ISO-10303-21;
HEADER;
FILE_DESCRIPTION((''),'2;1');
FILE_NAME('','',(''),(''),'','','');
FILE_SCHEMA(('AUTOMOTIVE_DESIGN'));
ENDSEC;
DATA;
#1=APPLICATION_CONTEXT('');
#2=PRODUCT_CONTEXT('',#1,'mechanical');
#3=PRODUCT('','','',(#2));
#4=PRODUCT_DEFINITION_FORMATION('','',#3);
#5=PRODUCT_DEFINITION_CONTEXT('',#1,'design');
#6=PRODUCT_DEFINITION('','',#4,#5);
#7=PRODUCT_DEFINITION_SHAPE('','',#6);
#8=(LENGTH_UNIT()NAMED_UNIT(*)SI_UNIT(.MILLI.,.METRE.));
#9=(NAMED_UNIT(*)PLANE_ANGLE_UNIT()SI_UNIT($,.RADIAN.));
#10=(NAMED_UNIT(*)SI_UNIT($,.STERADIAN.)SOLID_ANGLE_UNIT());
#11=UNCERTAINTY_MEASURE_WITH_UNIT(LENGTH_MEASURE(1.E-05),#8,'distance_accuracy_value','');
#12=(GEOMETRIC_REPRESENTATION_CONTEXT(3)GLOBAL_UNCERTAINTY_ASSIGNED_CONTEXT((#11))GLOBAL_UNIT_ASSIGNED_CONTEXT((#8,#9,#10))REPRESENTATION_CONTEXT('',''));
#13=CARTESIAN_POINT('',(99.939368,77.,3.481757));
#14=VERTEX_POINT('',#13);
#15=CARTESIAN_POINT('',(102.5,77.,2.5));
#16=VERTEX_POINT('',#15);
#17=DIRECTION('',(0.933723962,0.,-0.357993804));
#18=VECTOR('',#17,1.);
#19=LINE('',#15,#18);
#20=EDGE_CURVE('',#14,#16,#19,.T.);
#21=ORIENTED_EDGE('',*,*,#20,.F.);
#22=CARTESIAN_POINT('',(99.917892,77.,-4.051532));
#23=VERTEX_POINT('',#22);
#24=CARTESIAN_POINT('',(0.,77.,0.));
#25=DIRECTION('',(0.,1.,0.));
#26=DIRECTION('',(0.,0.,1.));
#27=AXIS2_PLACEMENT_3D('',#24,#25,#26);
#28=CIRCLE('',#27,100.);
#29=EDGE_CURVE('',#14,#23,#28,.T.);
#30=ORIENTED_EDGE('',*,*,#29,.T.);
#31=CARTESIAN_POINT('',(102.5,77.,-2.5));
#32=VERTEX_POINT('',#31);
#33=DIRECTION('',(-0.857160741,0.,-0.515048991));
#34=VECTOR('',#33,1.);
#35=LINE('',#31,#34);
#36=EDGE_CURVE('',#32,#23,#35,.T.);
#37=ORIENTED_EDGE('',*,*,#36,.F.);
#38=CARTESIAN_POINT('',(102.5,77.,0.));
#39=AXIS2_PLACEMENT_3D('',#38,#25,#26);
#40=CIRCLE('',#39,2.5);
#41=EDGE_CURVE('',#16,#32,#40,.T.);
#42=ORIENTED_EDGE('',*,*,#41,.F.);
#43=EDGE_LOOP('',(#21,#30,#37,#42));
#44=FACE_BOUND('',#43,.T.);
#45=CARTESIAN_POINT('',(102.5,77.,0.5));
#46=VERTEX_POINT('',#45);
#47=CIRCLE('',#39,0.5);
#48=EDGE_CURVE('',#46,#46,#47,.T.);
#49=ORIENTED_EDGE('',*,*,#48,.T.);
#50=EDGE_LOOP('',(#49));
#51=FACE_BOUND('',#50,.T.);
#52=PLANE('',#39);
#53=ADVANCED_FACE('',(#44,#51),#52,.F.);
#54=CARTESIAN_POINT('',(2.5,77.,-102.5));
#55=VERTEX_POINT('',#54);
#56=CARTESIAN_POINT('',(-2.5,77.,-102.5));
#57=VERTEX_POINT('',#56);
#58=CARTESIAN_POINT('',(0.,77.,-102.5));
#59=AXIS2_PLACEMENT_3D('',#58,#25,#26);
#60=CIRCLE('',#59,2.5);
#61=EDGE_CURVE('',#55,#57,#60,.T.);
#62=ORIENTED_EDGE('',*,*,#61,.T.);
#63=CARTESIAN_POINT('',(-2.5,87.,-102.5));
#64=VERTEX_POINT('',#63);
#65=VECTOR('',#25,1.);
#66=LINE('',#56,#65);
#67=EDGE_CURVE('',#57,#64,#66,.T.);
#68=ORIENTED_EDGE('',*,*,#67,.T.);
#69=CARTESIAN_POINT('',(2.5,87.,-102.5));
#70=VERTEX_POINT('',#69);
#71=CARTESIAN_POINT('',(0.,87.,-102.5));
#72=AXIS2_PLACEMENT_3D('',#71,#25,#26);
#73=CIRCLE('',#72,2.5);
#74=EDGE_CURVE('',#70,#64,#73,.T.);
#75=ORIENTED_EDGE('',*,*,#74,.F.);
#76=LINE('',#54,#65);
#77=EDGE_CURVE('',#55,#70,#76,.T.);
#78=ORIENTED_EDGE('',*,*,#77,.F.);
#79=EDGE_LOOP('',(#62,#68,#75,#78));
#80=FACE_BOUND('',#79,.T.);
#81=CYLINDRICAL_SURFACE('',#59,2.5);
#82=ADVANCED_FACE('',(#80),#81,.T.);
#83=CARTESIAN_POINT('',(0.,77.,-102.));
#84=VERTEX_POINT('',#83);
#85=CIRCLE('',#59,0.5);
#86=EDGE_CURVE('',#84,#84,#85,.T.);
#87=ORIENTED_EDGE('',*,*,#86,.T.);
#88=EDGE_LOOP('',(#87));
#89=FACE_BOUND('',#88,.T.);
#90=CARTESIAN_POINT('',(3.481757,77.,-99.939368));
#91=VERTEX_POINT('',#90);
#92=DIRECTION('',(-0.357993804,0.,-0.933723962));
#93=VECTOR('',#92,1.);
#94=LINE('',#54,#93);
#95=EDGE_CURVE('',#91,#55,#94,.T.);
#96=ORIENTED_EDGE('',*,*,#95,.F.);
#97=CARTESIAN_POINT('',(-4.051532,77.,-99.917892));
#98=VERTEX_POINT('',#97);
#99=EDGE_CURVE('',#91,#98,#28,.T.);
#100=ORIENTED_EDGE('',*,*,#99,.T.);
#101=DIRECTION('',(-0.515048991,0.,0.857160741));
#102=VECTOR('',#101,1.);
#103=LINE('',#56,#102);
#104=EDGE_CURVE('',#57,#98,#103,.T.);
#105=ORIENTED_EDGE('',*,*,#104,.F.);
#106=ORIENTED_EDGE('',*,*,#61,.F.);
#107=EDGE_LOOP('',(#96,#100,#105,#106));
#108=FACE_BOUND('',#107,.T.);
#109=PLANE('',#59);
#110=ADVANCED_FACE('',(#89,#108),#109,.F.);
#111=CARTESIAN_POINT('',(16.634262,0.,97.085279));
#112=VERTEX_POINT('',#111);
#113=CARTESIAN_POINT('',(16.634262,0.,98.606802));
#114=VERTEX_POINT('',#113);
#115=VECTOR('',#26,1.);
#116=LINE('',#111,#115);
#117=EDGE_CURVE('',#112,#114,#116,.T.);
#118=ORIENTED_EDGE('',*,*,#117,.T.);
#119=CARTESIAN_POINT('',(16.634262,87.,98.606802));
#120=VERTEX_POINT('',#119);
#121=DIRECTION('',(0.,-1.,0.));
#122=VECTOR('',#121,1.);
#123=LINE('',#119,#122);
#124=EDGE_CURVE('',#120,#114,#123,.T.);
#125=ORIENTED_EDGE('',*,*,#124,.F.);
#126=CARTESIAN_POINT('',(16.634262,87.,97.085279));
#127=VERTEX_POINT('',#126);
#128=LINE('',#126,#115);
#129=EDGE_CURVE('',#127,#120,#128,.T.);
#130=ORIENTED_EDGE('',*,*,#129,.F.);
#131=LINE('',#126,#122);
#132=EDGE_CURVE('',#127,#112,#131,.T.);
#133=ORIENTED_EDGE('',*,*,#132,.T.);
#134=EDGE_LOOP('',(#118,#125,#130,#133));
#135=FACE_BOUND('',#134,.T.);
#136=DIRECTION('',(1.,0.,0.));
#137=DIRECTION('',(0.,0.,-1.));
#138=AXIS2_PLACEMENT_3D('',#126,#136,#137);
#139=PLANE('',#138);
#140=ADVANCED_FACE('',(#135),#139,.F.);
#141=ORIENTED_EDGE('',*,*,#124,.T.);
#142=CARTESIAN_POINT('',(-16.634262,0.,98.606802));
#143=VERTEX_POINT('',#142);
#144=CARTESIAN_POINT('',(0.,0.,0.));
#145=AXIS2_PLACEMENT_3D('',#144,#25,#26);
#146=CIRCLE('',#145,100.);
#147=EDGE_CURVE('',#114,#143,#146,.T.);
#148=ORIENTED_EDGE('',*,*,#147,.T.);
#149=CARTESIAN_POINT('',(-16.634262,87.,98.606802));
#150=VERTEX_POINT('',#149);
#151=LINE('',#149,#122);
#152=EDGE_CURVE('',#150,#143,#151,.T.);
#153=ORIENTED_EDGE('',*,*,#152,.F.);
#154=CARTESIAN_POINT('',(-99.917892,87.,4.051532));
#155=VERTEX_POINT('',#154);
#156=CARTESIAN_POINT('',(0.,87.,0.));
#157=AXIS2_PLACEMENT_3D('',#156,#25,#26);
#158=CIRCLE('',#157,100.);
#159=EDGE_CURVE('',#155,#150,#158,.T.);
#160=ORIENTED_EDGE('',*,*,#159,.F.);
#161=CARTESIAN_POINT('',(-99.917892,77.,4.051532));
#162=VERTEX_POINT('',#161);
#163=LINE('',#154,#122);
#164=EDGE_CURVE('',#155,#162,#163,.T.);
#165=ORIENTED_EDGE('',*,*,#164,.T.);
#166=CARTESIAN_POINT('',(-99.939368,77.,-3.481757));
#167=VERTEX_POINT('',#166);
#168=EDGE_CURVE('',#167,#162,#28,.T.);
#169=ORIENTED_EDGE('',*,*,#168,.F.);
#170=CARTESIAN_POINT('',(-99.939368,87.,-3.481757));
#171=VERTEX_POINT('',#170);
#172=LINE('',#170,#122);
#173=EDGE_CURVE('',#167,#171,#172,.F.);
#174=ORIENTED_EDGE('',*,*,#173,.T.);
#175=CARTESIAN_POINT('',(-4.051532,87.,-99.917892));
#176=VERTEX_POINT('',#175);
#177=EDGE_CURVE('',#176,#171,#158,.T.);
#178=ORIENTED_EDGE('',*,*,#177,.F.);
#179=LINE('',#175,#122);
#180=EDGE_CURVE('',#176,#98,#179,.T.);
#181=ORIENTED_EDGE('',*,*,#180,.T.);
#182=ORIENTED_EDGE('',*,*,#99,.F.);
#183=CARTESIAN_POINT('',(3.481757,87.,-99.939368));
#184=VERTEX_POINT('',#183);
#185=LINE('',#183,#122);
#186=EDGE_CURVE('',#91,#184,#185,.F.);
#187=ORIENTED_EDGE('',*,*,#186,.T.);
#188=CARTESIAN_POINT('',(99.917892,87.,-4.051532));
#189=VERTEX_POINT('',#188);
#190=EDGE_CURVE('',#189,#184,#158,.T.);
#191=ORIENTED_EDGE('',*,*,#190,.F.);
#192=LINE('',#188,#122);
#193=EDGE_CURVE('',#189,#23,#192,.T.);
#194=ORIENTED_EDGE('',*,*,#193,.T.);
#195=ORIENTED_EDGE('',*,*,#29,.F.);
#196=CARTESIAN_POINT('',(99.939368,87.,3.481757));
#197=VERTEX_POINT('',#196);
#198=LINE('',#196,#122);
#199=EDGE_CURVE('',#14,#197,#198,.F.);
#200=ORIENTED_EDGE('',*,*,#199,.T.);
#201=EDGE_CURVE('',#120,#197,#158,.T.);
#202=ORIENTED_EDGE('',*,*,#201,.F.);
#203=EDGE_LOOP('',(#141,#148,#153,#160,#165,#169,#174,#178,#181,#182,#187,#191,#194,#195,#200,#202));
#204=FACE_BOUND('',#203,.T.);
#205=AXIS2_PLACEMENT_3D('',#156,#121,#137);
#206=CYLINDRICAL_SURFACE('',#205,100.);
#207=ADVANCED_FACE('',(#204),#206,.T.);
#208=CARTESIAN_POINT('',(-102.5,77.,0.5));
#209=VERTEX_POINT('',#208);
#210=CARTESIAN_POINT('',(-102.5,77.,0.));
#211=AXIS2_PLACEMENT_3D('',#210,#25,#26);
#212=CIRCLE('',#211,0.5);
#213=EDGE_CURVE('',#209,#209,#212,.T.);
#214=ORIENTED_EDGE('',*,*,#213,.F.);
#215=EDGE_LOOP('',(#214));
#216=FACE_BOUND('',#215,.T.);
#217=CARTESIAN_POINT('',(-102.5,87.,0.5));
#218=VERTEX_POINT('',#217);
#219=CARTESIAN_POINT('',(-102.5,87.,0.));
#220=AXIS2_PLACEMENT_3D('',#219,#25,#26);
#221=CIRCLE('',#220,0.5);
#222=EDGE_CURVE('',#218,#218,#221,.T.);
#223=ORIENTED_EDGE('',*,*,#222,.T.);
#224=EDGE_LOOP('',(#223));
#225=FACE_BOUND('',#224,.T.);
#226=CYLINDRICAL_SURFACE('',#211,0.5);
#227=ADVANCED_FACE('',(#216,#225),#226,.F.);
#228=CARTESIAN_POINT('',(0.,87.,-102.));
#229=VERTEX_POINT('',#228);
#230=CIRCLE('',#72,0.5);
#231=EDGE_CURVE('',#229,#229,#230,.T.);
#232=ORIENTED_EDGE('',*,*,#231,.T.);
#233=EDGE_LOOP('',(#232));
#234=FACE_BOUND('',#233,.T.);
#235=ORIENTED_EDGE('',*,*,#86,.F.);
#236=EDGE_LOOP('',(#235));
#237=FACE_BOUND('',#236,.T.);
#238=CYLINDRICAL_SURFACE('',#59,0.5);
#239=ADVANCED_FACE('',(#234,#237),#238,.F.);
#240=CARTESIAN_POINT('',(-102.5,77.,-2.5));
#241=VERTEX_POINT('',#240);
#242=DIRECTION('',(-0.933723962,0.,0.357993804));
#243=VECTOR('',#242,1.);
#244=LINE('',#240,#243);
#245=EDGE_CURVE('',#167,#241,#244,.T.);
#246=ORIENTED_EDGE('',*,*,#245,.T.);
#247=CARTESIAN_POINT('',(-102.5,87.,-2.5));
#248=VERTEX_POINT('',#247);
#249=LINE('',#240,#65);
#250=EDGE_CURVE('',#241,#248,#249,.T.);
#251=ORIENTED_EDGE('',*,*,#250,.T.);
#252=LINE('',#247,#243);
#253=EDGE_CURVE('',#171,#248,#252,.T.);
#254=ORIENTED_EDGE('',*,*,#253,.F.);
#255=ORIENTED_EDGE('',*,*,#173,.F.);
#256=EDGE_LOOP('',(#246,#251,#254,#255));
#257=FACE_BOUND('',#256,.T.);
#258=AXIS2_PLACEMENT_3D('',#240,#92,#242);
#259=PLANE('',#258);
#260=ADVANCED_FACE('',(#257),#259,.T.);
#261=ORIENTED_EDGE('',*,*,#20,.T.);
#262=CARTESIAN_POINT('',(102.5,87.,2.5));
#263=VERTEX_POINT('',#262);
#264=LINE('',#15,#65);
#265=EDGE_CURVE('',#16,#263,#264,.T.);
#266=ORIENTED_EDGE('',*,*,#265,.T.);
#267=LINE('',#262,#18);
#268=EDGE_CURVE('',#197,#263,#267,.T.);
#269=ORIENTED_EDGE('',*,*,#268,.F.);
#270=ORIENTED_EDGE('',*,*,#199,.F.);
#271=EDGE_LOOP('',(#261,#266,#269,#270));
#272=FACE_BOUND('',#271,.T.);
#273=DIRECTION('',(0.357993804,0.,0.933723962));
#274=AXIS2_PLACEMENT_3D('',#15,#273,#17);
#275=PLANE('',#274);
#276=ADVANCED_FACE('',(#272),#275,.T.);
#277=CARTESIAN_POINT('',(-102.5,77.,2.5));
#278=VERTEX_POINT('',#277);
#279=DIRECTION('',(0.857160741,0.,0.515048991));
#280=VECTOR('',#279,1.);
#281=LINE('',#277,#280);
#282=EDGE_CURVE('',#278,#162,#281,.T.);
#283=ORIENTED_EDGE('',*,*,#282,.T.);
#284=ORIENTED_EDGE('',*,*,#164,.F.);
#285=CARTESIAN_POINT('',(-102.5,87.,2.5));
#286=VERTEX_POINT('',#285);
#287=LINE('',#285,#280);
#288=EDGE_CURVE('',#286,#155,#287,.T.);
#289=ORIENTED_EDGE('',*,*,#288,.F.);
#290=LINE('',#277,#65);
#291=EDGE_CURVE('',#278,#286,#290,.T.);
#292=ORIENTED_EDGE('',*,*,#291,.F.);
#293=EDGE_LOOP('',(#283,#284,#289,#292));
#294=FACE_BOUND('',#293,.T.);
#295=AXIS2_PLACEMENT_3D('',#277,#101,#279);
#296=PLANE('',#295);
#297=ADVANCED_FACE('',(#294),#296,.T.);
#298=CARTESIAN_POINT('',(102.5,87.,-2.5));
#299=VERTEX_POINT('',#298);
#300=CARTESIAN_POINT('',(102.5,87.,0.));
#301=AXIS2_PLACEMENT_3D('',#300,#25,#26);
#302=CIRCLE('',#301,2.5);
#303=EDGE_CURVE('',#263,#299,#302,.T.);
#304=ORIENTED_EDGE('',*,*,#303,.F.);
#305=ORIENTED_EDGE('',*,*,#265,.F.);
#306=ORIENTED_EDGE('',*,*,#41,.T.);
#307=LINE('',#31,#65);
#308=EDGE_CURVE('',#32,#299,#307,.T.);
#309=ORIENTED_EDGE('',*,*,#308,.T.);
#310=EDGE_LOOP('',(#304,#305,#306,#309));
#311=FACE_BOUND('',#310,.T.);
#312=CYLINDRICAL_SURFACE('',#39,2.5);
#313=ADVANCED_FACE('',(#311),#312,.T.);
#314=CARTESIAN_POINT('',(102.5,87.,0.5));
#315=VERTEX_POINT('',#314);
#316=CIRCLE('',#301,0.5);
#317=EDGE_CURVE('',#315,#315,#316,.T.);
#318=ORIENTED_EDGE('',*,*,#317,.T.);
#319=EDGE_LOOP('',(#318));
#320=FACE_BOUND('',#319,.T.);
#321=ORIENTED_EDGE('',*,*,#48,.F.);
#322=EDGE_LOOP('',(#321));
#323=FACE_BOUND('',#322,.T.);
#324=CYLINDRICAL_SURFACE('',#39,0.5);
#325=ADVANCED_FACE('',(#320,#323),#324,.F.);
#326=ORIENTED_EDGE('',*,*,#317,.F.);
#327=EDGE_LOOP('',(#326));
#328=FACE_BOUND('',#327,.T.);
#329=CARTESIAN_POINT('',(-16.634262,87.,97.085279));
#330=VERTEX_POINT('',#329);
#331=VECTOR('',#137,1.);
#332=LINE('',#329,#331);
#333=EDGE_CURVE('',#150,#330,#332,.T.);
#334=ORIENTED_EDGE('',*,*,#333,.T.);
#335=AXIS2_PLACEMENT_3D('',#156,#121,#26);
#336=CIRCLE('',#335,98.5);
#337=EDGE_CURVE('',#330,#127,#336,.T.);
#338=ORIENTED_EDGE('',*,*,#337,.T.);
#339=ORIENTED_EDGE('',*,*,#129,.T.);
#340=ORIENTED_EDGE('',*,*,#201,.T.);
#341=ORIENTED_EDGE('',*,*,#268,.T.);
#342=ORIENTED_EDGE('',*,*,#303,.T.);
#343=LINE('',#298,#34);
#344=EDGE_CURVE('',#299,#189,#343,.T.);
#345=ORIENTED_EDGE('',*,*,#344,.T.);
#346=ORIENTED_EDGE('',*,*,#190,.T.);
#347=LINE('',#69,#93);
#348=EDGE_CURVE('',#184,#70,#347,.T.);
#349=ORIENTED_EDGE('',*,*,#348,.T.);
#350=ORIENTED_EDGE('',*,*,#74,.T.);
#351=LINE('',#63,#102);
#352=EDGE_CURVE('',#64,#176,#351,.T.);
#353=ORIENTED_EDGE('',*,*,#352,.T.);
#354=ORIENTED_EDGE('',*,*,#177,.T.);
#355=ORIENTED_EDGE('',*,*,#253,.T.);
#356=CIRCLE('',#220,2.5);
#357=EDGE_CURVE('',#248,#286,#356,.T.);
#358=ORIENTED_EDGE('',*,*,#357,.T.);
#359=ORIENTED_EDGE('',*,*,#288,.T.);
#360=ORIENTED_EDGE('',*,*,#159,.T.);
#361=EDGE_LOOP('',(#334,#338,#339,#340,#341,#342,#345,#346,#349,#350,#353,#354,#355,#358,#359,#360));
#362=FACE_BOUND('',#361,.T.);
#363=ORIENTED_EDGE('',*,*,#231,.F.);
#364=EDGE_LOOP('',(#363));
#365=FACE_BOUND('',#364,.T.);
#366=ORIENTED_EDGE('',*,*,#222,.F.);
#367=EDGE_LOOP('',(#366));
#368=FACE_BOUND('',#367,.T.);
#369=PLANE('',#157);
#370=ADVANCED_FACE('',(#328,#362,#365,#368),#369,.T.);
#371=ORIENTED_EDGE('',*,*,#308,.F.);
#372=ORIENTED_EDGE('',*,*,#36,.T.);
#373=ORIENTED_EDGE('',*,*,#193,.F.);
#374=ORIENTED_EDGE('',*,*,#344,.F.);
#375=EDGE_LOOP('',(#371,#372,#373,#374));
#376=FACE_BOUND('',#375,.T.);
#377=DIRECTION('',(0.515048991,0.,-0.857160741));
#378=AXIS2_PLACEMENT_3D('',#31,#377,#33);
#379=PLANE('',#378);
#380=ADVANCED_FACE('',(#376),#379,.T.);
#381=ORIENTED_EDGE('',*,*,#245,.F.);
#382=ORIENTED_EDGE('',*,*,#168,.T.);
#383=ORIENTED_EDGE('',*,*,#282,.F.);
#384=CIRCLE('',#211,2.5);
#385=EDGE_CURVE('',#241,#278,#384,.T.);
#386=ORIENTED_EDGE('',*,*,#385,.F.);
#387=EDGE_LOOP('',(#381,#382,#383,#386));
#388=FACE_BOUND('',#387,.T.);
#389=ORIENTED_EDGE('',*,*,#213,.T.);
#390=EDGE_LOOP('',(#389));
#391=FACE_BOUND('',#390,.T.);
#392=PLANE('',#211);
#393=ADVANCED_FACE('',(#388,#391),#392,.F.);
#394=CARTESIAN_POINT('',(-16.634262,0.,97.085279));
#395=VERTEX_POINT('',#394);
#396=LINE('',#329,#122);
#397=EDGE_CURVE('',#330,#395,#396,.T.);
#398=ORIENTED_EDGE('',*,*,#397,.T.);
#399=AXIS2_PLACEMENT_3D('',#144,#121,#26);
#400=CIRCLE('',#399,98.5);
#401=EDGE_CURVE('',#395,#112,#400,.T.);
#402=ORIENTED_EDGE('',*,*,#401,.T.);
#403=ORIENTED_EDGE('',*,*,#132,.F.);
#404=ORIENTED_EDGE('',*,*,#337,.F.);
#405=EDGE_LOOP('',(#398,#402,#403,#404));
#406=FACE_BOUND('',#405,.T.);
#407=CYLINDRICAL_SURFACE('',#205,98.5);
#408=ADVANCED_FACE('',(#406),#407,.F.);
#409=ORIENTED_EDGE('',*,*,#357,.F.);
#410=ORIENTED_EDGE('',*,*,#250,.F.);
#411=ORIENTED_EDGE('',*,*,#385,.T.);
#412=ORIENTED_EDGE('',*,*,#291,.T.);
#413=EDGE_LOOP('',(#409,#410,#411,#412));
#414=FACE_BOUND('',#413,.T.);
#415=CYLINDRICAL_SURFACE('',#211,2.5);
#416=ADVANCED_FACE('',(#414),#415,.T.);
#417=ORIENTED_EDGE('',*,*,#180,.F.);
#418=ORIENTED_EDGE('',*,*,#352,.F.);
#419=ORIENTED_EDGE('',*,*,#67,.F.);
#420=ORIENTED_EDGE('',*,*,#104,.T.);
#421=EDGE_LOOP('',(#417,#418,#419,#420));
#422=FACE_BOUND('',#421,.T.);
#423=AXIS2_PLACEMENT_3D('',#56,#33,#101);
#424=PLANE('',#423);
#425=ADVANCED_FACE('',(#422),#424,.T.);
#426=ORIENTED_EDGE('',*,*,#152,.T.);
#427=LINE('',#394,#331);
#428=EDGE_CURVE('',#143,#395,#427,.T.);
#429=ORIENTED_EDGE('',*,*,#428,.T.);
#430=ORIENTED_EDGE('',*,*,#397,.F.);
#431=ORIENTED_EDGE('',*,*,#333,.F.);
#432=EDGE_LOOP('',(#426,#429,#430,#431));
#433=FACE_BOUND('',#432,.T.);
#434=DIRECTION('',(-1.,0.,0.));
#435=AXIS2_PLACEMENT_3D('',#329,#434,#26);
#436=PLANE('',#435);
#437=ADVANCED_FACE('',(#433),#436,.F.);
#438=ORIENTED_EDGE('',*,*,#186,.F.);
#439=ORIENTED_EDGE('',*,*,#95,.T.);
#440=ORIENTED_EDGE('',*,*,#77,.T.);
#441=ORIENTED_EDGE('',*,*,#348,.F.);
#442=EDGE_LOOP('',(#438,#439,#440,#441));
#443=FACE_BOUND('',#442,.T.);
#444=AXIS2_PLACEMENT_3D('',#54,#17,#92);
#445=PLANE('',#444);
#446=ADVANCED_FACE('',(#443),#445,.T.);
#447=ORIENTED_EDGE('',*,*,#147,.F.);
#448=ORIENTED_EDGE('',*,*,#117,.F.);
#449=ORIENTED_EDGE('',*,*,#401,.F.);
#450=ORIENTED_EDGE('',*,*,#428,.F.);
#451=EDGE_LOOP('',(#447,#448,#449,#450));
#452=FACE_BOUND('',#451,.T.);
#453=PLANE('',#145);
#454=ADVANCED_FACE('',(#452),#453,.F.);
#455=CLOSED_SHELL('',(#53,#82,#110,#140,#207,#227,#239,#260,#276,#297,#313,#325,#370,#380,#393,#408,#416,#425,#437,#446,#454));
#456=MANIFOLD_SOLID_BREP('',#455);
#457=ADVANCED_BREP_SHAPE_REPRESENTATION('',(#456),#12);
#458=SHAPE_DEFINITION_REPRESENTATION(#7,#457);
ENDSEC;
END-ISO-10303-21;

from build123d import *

# Parameters (mm, degrees)
BOSS_EXTRUDE1_DEPTH = 87
SKETCH3_R           = 0.5
BOSS_EXTRUDE2_DEPTH = 10


with BuildPart() as part:
    # Sketch1 → Boss-Extrude1 (new body)
    with BuildSketch(Plane(origin=(0, 0, 0), x_dir=(1, 0, 0), z_dir=(0, 1, 0))):
        with BuildLine():
            Line((-16.634262286, -97.085278586), (-16.634262286, -98.606801582))
            ThreePointArc((-16.634262286, -98.606801582), (0, 100), (16.634262286, -98.606801582))
            Line((16.634262286, -98.606801582), (16.634262286, -97.085278586))
            ThreePointArc((16.634262286, -97.085278586), (0, 98.5), (-16.634262286, -97.085278586))
        make_face()
    extrude(amount=BOSS_EXTRUDE1_DEPTH)

    # Sketch3 → Boss-Extrude2 (add)
    # profile 1 of 3: a face of its own
    with BuildSketch(Plane(origin=(0, 87, 0), x_dir=(1, 0, 0), z_dir=(0, 1, 0))):
        with BuildLine():
            Line((-102.5, -2.5), (-99.33644021, -4.400913329))
            Line((-99.33644021, -4.400913329), (-99.185511668, 3.770789156))
            Line((-99.185511668, 3.770789156), (-102.5, 2.5))
            ThreePointArc((-102.5, 2.5), (-105, 0), (-102.5, -2.5))
        make_face()
        with Locations(Location((-102.5, 0, 0), (0, 0, 270))):
            Circle(SKETCH3_R, mode=Mode.SUBTRACT)
    # profile 2 of 3: a face of its own
    with BuildSketch(Plane(origin=(0, 87, 0), x_dir=(1, 0, 0), z_dir=(0, 1, 0))):
        with BuildLine():
            Line((-2.5, 102.5), (-4.400913329, 99.33644021))
            Line((-4.400913329, 99.33644021), (3.770789156, 99.185511668))
            Line((3.770789156, 99.185511668), (2.5, 102.5))
            ThreePointArc((2.5, 102.5), (0, 105), (-2.5, 102.5))
        make_face()
        with Locations(Location((0, 102.5, 0), (0, 0, 270))):
            Circle(SKETCH3_R, mode=Mode.SUBTRACT)
    # profile 3 of 3: a face of its own
    with BuildSketch(Plane(origin=(0, 87, 0), x_dir=(1, 0, 0), z_dir=(0, 1, 0))):
        with BuildLine():
            Line((102.5, 2.5), (99.33644021, 4.400913329))
            Line((99.33644021, 4.400913329), (99.185511668, -3.770789156))
            Line((99.185511668, -3.770789156), (102.5, -2.5))
            ThreePointArc((102.5, -2.5), (105, 0), (102.5, 2.5))
        make_face()
        with Locations(Location((102.5, 0, 0), (0, 0, 270))):
            Circle(SKETCH3_R, mode=Mode.SUBTRACT)
    extrude(amount=-BOSS_EXTRUDE2_DEPTH)


solid = part.part
